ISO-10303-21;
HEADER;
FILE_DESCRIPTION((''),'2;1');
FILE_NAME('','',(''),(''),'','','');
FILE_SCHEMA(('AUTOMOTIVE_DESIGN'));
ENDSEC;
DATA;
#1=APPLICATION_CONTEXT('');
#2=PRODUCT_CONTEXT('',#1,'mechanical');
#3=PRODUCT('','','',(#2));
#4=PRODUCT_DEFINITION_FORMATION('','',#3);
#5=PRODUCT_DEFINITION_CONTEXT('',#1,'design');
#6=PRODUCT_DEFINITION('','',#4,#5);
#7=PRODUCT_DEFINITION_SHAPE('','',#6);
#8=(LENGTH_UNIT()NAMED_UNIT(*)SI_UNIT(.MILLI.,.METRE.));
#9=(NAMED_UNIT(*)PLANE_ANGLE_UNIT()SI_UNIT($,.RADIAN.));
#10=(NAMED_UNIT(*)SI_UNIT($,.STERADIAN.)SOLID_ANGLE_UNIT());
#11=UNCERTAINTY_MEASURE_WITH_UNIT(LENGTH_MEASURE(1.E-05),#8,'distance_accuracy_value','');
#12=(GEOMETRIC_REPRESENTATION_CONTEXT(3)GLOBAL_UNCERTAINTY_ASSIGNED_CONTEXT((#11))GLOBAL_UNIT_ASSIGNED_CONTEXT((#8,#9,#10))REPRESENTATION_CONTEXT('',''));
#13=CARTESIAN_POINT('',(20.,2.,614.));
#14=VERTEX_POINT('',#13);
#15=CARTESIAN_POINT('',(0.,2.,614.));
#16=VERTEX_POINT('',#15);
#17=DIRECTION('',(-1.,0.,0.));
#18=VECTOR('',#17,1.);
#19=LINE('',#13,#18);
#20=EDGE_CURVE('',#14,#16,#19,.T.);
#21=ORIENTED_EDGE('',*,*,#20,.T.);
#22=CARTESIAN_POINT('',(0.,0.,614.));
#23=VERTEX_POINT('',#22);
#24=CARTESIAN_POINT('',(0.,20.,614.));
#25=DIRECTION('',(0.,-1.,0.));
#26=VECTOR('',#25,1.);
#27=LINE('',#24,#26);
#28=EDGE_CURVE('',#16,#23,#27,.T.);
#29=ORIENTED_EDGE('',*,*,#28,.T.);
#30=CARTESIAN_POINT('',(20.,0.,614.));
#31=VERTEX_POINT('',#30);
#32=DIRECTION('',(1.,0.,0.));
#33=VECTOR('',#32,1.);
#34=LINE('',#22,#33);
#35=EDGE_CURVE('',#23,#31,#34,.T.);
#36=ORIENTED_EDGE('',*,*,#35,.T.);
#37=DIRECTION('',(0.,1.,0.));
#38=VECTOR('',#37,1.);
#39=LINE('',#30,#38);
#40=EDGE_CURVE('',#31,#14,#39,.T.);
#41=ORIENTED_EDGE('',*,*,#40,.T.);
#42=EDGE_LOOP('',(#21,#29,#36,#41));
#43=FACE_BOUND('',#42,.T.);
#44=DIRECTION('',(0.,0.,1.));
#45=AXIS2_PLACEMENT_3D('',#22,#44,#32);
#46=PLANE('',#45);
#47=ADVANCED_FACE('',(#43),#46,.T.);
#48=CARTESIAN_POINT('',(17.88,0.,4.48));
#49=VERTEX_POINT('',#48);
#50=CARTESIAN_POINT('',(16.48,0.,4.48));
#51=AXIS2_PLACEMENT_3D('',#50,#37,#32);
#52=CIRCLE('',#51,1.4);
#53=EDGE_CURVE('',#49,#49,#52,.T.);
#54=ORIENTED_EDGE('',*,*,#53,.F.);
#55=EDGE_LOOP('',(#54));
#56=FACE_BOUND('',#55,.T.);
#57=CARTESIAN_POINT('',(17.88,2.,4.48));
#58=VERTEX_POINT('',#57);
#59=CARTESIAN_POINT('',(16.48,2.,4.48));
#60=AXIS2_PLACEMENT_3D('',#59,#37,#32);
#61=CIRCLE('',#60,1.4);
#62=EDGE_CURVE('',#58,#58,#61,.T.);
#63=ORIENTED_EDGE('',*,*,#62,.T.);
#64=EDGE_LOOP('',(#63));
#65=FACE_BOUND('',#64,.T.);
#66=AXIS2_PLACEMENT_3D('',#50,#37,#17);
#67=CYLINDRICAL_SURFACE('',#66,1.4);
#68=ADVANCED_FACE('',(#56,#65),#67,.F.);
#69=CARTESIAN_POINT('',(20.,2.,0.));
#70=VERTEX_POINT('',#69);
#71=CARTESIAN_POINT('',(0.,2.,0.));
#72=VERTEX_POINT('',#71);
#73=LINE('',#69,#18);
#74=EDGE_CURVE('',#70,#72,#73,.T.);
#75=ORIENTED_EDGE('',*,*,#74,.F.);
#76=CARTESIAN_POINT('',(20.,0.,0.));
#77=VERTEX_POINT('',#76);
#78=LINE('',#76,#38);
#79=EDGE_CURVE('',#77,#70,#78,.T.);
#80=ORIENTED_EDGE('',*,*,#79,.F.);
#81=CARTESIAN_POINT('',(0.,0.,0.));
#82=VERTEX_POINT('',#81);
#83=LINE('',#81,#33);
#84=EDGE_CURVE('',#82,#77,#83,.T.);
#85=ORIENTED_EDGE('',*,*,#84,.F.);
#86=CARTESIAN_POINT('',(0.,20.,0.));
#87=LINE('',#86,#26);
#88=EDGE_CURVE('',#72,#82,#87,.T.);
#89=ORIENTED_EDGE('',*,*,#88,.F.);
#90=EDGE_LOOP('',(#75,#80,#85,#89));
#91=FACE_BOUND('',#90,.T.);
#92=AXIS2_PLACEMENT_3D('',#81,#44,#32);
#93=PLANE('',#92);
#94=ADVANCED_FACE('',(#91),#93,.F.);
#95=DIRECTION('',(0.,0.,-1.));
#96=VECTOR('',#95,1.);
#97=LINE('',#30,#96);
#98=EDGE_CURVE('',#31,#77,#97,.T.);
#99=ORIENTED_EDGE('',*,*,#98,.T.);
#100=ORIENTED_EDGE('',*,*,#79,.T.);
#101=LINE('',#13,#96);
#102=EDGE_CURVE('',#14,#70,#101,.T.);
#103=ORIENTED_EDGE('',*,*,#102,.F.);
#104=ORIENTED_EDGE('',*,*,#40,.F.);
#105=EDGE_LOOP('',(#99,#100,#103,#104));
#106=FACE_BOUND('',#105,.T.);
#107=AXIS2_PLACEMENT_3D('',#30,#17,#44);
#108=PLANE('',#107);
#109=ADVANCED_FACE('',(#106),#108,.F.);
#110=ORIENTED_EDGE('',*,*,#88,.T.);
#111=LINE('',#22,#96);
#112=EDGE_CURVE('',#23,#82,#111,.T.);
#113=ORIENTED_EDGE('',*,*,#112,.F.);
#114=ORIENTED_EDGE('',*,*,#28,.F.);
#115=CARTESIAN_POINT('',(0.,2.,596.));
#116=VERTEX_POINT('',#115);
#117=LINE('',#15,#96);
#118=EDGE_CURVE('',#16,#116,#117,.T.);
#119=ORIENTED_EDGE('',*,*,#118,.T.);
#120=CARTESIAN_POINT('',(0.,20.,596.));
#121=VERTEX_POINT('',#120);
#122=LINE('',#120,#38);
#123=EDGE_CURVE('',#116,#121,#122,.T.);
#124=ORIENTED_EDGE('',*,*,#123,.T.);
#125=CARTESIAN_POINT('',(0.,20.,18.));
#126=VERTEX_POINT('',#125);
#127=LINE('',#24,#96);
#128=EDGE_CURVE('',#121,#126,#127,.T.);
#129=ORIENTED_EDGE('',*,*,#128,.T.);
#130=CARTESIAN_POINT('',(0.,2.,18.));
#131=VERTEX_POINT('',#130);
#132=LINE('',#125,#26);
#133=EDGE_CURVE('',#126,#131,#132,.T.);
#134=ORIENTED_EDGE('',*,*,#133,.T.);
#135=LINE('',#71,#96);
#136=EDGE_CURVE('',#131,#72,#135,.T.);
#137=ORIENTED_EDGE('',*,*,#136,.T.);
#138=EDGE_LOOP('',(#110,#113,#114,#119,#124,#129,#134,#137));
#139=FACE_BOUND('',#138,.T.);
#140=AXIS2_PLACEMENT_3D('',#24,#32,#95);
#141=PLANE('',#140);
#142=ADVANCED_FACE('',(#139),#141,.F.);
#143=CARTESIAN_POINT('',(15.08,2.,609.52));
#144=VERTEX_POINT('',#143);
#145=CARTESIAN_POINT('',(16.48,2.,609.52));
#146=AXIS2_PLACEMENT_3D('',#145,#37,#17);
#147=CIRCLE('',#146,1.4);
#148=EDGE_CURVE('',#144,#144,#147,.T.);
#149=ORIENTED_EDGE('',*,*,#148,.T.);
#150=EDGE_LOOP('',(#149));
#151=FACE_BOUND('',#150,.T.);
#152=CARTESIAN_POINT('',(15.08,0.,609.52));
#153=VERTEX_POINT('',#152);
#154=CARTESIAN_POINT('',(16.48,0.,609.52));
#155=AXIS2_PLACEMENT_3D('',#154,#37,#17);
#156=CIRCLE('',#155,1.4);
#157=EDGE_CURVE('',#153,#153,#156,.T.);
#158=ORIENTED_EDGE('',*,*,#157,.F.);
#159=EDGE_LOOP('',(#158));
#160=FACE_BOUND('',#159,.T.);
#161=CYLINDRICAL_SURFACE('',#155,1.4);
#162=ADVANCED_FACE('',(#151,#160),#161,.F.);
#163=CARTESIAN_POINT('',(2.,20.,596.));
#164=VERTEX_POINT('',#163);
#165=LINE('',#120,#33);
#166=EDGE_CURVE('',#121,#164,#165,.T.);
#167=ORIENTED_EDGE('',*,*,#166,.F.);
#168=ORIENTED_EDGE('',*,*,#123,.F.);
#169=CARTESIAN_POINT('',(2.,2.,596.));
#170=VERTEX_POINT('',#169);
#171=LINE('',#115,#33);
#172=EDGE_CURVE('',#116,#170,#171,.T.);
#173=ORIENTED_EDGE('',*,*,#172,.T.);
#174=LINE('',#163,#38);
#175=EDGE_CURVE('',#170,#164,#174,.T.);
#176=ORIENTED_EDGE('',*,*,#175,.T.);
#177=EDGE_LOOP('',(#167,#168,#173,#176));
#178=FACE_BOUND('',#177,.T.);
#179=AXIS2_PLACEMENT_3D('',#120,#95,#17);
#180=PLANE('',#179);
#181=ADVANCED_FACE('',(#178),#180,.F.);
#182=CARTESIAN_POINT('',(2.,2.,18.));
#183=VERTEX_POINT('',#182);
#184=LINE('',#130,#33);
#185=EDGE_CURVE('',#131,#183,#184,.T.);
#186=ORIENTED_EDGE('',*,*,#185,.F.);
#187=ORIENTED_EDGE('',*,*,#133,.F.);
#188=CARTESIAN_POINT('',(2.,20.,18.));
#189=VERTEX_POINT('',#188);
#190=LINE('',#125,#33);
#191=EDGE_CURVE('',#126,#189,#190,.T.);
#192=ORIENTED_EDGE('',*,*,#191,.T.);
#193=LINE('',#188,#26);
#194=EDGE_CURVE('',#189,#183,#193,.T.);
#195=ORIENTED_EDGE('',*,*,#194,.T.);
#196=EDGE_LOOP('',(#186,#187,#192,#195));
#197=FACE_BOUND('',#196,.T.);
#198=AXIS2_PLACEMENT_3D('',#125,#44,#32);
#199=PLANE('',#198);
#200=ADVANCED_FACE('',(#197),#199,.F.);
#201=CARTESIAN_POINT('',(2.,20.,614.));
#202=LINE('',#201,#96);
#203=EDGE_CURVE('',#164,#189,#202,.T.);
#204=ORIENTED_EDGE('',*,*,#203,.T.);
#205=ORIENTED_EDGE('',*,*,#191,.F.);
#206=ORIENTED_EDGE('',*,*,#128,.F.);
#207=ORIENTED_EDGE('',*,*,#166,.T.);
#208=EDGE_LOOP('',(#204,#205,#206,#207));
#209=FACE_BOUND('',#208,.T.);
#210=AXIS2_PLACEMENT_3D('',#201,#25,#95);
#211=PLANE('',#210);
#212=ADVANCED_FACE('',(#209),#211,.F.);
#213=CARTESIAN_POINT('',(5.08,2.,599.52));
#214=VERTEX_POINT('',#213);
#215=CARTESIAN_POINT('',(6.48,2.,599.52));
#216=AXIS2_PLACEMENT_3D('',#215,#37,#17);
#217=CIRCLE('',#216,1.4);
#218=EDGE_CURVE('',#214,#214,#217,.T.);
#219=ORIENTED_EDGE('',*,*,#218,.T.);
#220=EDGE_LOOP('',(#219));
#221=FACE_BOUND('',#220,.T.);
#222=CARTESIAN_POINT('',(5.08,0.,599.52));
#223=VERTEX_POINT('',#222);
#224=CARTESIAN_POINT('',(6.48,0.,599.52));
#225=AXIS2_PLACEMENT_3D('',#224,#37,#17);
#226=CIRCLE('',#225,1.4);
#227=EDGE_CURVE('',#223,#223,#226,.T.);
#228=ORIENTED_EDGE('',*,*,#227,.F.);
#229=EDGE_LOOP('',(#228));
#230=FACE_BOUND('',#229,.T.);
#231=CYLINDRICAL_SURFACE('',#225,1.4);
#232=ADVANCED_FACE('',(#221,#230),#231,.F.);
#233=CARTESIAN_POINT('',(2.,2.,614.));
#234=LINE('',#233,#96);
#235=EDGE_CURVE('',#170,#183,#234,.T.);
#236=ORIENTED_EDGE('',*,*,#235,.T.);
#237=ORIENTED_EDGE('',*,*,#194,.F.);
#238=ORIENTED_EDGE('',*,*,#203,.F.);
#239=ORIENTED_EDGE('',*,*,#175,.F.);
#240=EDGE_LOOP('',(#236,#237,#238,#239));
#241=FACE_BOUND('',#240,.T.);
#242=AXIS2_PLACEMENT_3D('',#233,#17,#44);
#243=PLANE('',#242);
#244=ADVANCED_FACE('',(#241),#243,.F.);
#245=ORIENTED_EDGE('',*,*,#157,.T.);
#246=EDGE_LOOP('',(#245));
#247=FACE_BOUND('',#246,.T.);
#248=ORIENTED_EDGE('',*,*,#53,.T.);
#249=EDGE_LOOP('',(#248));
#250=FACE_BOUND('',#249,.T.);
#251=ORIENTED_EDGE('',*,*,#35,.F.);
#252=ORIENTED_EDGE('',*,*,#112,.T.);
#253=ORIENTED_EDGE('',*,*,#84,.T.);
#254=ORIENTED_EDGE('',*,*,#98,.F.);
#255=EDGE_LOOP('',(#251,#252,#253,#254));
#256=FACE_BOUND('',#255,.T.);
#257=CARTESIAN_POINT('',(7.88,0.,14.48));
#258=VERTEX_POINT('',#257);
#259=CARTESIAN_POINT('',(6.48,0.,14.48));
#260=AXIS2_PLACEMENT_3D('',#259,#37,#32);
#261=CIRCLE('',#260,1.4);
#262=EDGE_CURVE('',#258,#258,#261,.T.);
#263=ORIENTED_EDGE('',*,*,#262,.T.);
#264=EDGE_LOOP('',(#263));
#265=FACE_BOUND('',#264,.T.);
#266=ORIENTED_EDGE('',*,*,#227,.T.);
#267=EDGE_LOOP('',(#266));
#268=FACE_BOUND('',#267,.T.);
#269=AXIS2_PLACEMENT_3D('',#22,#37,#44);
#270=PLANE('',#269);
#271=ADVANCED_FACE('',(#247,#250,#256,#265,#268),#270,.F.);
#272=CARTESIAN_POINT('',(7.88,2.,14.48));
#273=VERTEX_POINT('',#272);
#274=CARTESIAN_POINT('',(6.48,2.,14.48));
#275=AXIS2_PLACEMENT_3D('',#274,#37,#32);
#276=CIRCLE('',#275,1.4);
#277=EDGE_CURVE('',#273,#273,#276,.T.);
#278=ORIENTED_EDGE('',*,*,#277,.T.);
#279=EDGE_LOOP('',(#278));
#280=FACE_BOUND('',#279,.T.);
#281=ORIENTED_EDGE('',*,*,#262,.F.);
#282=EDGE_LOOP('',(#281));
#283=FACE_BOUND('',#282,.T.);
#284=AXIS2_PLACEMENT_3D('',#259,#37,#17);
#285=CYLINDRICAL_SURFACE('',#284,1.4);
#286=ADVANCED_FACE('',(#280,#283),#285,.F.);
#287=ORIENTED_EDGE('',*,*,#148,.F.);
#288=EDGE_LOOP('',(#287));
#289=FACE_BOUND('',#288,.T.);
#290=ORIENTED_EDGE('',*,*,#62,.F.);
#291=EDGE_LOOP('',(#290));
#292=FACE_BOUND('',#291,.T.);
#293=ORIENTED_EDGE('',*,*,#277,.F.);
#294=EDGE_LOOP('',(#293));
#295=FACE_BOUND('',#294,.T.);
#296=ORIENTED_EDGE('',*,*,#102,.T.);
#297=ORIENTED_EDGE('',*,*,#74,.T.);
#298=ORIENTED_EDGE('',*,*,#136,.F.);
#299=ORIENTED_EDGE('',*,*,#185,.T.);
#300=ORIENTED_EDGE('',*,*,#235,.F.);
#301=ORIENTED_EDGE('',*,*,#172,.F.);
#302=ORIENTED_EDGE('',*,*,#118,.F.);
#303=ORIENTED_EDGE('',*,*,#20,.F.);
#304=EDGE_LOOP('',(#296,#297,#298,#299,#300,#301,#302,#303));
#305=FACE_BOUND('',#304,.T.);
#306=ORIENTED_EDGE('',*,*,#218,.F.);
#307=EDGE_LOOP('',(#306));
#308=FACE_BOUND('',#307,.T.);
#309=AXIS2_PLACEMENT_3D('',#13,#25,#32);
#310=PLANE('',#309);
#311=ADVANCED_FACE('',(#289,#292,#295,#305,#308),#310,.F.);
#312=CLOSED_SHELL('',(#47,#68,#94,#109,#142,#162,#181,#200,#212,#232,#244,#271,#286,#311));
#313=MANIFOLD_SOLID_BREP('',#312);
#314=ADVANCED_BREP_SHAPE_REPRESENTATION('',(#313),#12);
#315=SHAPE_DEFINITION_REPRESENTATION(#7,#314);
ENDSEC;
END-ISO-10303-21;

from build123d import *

# Parameters (mm, degrees)
BOSS_EXTRU_1_DEPTH      = 614
ESQUISSE2_W             = 18
ESQUISSE2_H             = 18
ENL_V_MAT_EXTRU_1_DEPTH = 3
ESQUISSE6_R             = 1.4
ENL_V_MAT_EXTRU_5_DEPTH = 3


with BuildPart() as part:
    # Esquisse1 → Boss.-Extru.1 (new body)
    with BuildSketch(Plane.XY):
        Polygon((0, 0), (20, 0), (20, 2), (2, 2), (2, 20), (0, 20), align=None)
    extrude(amount=BOSS_EXTRU_1_DEPTH)

    # Esquisse2 → Enlèv. mat.-Extru.1 (cut, through all)
    with BuildSketch(Plane(origin=(2, 0, 0), x_dir=(0, 0, -1), z_dir=(1, 0, 0))):
        with Locations((-605, 11)):
            Rectangle(ESQUISSE2_W, ESQUISSE2_H)
        with Locations((-9, 11)):
            Rectangle(ESQUISSE2_W, ESQUISSE2_H)
    extrude(amount=-ENL_V_MAT_EXTRU_1_DEPTH, mode=Mode.SUBTRACT)

    # Esquisse6 → Enlèv. mat.-Extru.5 (cut, through all)
    with BuildSketch(Plane(origin=(0, 2, 0), x_dir=(1, 0, 0), z_dir=(0, 1, 0))):
        with Locations((6.48, -599.52)):
            Circle(ESQUISSE6_R)
        with Locations((6.48, -14.48)):
            Circle(ESQUISSE6_R)
        with Locations((16.48, -609.52)):
            Circle(ESQUISSE6_R)
        with Locations((16.48, -4.48)):
            Circle(ESQUISSE6_R)
    extrude(amount=-ENL_V_MAT_EXTRU_5_DEPTH, mode=Mode.SUBTRACT)


solid = part.part
